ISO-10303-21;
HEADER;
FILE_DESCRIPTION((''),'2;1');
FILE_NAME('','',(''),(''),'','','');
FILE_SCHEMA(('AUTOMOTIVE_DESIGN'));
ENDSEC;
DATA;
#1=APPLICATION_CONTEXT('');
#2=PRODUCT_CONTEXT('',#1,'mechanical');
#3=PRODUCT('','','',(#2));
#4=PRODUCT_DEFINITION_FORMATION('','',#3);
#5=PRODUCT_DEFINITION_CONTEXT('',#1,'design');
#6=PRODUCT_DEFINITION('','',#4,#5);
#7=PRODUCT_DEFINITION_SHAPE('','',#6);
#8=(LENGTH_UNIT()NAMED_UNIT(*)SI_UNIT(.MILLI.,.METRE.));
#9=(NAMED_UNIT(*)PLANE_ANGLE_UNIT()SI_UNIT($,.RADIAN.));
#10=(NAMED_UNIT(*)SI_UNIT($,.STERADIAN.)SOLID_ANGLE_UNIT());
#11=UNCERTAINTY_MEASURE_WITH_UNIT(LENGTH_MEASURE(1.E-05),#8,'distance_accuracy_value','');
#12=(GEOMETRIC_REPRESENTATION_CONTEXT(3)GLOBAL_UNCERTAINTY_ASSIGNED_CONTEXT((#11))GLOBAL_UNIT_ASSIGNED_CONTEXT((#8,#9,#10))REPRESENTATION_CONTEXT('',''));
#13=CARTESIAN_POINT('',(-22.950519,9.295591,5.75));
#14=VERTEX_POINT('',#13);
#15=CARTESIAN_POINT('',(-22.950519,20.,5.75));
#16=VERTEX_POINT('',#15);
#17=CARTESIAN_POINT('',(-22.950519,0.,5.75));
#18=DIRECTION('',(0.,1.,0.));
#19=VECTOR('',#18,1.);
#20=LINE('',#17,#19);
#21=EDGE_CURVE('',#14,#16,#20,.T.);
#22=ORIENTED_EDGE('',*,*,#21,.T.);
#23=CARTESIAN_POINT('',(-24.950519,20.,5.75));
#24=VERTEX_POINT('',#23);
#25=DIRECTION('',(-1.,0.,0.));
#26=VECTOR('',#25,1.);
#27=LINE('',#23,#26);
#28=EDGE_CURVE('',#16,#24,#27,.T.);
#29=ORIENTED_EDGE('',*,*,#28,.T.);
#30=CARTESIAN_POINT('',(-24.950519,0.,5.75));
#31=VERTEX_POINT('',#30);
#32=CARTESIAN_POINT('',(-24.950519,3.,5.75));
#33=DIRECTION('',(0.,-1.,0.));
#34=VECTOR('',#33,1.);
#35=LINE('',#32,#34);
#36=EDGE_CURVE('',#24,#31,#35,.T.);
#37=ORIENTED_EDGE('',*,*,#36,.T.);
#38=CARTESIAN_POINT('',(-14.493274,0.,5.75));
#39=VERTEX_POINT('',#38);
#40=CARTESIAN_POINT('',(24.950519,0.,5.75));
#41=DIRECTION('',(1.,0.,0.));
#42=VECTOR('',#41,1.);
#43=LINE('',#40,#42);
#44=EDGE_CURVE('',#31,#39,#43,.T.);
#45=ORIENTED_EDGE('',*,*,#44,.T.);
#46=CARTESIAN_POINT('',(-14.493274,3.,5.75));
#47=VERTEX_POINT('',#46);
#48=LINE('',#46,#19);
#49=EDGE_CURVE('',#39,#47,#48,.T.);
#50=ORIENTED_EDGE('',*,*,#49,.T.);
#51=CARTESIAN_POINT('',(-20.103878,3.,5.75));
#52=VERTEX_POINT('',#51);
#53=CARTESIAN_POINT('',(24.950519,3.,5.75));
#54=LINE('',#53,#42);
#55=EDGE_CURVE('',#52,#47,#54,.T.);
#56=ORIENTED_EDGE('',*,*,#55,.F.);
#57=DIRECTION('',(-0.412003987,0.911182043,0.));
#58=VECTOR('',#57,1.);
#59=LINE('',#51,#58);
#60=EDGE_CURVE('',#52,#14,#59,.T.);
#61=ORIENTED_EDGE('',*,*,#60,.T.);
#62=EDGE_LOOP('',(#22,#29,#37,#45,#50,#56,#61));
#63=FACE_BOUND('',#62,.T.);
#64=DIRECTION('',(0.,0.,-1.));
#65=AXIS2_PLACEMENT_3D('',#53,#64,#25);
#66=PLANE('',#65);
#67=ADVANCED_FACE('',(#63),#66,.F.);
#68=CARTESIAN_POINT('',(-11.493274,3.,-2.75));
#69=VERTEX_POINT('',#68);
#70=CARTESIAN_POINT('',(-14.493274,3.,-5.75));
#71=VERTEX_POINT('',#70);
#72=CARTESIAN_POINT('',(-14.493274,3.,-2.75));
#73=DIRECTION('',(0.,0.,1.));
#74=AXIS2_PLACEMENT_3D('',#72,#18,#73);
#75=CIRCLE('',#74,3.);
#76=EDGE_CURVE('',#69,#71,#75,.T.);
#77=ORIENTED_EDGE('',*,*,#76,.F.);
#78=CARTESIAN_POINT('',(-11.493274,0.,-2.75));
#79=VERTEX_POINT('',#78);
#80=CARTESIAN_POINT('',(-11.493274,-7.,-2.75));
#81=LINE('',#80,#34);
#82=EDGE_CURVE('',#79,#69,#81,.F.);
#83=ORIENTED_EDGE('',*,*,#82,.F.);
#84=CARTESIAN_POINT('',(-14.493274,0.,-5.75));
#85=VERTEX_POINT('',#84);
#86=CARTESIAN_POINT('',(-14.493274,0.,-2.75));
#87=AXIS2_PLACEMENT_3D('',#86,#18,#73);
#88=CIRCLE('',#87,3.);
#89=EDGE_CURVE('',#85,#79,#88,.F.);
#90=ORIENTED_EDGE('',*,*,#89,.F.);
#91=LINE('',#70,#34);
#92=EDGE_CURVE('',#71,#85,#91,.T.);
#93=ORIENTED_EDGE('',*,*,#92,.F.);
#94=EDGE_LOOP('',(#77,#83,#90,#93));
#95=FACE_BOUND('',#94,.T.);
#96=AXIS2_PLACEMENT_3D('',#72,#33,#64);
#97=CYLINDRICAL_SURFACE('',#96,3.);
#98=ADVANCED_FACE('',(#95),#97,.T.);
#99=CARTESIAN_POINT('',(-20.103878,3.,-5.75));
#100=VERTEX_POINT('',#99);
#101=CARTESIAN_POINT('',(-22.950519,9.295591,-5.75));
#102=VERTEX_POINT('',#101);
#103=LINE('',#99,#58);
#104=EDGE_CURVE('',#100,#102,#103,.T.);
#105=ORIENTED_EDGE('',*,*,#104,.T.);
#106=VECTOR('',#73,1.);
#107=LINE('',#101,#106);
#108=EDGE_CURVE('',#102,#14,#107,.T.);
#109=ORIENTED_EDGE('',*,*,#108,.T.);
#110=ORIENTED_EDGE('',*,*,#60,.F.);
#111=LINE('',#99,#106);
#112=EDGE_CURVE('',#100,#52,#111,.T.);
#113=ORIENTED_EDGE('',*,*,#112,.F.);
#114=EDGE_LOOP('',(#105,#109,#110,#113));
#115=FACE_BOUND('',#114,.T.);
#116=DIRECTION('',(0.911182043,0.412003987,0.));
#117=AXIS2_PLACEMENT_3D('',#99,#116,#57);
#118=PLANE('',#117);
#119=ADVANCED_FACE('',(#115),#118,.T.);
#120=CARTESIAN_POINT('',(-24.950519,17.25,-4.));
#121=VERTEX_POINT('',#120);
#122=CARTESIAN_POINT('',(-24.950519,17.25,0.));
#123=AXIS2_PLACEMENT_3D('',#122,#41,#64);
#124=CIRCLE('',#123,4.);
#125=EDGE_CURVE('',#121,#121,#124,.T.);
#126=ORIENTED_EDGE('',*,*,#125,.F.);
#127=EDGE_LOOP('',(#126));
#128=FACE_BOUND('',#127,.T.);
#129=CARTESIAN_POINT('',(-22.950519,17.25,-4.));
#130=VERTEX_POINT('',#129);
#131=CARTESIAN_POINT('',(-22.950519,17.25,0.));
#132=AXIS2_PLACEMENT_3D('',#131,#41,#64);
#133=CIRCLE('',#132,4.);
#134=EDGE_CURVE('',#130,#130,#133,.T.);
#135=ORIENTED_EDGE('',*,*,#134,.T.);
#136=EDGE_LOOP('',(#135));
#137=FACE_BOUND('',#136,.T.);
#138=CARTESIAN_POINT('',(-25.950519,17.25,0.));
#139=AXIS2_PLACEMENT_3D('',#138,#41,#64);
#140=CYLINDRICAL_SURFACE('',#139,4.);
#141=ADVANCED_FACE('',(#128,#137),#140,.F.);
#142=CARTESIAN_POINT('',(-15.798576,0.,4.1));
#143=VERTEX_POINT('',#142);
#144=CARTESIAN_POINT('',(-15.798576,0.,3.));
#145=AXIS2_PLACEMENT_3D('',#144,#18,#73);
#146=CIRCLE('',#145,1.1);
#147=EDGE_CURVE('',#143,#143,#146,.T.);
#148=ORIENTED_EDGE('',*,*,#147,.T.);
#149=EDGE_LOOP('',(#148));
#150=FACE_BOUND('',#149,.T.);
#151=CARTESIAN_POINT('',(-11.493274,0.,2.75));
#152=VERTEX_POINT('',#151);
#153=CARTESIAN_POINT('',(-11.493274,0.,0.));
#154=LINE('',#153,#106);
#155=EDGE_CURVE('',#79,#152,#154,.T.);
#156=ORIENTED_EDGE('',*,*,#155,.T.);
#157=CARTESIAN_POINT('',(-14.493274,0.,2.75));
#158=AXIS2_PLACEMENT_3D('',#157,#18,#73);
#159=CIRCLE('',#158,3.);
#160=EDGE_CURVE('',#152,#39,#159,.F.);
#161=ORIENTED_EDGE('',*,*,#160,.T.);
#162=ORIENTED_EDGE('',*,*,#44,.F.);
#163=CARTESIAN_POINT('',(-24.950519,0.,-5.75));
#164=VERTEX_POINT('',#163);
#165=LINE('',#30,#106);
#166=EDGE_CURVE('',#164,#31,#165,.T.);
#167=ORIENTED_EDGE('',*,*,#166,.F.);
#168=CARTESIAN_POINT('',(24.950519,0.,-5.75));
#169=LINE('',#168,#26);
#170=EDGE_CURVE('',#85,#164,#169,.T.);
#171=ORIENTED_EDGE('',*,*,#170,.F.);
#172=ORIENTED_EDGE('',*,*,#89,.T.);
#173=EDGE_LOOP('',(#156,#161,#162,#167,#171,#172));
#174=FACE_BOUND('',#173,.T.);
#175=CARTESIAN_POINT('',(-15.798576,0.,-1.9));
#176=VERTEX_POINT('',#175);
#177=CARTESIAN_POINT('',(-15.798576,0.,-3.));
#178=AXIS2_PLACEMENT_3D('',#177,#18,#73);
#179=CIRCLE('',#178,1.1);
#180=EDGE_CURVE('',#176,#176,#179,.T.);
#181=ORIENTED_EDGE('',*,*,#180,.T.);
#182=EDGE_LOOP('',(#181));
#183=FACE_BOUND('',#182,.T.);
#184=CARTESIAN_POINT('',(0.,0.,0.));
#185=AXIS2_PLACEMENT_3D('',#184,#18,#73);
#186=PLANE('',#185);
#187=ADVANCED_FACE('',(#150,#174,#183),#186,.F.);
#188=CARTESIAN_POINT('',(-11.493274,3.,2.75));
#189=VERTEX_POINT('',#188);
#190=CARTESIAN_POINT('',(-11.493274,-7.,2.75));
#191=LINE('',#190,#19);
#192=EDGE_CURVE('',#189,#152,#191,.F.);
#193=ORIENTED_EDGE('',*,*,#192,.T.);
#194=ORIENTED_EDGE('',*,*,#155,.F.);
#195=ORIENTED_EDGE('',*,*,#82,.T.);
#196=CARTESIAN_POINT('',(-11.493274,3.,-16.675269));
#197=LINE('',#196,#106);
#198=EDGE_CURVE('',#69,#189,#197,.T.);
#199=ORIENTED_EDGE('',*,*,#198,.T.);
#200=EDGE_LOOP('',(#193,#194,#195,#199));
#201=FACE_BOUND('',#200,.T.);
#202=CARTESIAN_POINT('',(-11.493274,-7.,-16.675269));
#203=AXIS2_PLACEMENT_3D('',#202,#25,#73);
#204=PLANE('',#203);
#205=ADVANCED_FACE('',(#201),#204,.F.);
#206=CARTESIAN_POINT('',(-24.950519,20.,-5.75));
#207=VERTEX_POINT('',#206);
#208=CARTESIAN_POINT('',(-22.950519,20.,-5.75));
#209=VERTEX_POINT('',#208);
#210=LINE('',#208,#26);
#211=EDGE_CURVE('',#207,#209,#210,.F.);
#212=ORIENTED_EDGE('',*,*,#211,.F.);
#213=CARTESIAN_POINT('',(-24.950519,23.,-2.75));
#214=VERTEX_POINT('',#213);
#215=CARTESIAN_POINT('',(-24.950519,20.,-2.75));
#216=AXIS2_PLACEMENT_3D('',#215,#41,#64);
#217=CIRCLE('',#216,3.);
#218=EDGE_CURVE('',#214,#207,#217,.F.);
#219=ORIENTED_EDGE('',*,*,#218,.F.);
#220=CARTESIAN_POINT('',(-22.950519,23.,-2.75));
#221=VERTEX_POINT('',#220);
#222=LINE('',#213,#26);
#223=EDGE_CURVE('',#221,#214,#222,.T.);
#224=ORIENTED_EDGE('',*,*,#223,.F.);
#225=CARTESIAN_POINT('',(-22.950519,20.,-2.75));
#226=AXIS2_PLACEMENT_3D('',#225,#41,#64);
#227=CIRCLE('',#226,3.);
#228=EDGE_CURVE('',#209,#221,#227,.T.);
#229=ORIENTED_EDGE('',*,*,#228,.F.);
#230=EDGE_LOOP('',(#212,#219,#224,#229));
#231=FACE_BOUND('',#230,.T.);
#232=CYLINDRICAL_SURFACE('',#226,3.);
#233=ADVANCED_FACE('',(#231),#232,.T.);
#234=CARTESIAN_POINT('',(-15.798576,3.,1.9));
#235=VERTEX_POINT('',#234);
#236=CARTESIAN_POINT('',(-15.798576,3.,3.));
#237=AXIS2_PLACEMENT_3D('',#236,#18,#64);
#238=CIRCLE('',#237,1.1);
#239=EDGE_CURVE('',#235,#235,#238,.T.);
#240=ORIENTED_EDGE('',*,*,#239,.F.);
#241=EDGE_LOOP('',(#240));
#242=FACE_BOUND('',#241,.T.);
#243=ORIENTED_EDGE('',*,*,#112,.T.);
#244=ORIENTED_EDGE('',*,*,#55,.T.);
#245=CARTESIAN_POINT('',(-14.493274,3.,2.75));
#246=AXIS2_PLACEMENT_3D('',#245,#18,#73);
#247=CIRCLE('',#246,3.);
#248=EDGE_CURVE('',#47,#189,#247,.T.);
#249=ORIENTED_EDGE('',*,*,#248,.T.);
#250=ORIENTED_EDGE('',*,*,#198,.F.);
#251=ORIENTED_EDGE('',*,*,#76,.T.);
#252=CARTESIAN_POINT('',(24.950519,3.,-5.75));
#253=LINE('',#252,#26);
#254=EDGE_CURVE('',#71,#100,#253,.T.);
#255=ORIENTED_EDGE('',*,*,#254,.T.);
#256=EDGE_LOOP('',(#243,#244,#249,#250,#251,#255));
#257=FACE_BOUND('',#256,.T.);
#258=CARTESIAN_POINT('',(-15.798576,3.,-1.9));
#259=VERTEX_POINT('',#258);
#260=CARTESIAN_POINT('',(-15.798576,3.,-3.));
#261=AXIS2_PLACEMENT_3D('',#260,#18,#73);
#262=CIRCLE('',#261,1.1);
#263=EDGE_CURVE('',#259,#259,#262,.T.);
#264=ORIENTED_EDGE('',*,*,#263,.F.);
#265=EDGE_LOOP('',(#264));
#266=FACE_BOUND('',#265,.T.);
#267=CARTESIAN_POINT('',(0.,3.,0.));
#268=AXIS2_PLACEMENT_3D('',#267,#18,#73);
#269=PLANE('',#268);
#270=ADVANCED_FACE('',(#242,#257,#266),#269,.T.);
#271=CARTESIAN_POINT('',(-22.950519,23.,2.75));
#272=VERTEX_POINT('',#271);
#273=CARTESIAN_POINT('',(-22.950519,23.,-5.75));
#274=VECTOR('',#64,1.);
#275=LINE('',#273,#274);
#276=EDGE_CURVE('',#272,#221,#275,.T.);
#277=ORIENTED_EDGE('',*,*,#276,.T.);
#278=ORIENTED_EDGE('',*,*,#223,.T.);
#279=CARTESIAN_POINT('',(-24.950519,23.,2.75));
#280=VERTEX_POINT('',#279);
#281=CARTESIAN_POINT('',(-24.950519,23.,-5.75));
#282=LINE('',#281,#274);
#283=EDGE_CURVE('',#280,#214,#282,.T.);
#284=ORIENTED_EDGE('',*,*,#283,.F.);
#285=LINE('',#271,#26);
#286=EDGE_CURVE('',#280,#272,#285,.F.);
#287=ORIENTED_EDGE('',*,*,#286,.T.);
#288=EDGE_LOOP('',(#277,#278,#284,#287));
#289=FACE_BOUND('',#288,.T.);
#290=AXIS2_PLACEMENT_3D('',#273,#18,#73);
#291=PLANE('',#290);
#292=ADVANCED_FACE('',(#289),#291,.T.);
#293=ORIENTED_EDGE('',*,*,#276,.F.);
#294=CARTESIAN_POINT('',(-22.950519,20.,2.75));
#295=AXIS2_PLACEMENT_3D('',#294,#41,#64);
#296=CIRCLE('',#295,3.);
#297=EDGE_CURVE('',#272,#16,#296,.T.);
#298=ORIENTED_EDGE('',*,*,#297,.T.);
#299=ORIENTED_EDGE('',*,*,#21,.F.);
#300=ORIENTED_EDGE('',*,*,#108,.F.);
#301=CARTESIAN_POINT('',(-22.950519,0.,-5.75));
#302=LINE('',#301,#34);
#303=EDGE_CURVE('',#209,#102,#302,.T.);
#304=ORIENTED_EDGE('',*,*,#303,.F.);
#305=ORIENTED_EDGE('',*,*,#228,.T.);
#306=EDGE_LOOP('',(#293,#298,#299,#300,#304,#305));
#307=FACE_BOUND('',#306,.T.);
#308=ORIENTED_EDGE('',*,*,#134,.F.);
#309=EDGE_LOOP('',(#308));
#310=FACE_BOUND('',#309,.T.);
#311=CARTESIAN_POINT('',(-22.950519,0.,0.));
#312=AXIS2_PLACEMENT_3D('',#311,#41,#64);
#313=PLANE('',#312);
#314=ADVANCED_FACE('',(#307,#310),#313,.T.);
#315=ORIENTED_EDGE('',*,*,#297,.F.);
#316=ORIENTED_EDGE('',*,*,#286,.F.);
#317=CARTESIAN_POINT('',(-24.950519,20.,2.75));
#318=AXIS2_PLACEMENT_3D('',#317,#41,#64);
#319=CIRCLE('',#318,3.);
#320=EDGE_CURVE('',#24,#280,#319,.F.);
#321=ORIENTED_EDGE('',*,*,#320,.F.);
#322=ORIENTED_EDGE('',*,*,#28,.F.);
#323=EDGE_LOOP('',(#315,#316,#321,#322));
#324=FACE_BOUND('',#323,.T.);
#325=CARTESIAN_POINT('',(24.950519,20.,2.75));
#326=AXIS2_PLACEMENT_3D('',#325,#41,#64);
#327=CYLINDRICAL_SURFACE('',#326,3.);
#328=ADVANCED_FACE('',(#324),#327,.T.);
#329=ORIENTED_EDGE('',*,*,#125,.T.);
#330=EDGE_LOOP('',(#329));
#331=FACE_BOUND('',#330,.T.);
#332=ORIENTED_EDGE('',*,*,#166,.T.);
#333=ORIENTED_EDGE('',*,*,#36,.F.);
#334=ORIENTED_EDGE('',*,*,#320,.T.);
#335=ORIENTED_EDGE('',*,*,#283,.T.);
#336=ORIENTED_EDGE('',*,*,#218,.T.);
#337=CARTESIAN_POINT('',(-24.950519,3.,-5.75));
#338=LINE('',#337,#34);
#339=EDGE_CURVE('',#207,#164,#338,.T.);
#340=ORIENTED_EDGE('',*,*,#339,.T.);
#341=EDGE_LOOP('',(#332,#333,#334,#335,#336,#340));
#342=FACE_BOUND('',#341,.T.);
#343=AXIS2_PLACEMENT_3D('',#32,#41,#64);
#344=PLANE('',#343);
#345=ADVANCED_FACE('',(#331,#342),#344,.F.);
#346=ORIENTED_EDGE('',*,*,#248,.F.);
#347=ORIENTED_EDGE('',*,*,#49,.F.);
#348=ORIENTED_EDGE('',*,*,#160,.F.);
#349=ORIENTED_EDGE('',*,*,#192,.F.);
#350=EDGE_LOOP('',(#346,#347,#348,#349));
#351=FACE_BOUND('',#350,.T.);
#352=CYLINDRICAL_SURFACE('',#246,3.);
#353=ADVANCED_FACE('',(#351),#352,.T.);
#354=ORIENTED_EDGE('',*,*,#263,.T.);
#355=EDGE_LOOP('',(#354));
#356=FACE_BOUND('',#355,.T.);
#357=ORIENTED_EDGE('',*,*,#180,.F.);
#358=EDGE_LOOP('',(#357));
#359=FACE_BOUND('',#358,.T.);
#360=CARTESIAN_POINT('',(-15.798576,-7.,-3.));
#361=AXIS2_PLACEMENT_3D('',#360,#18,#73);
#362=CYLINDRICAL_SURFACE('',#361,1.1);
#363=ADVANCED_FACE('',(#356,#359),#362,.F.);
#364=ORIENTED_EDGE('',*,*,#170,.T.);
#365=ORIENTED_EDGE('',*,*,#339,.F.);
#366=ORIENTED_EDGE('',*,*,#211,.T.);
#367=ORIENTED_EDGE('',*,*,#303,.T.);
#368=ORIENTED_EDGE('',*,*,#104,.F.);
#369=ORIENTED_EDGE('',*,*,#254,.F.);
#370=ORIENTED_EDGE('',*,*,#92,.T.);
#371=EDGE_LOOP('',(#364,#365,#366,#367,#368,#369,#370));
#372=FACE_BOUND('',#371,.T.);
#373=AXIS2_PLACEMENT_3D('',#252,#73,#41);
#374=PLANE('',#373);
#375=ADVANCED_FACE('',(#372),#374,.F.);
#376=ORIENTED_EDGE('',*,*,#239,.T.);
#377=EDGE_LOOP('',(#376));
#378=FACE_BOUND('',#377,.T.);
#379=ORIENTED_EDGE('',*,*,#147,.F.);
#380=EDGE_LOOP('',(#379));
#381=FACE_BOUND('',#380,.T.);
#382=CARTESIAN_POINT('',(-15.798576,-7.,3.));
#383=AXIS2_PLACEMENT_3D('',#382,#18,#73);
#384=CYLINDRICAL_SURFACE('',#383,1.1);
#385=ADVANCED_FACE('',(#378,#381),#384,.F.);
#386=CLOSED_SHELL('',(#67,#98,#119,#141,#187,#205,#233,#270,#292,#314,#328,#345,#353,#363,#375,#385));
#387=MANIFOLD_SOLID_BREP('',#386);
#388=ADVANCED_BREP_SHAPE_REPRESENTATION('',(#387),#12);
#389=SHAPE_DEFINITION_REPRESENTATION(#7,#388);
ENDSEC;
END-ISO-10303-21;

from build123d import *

# Parameters (mm, degrees)
SKETCH_1_W          = 49.901037986
SKETCH_1_H          = 11.5
EXTRUDE_1_DEPTH     = 3
SKETCH_3_W          = 11.5
SKETCH_3_H          = 23
EXTRUDE_2_DEPTH     = 2
SKETCH_4_R          = 4
CUT_EXTRUDE_1_DEPTH = 3
SKETCH_7_W          = 44.527674248
SKETCH_7_H          = 38.163809885
CUT_EXTRUDE_2_DEPTH = 10
EXTRUDE_3_DEPTH     = 11.5
SKETCH_9_R          = 1.1
CUT_EXTRUDE_3_DEPTH = 10
FILLET_2_R          = 3
FILLET_3_R          = 3


with BuildPart() as part:
    # 草图1 → 凸台-拉伸1 (new body)
    with BuildSketch(Plane(origin=(0, 0, 0), x_dir=(1, 0, 0), z_dir=(0, 1, 0))):
        Rectangle(SKETCH_1_W, SKETCH_1_H)
    extrude(amount=EXTRUDE_1_DEPTH)

    # 草图3 → 凸台-拉伸2 (add)
    with BuildSketch(Plane.ZY.offset(24.950518993)):
        with Locations((0, 11.5)):
            Rectangle(SKETCH_3_W, SKETCH_3_H)
    extrude(amount=-EXTRUDE_2_DEPTH)

    # 草图4 → 切除-拉伸1 (cut)
    with BuildSketch(Plane(origin=(-22.950518993, 0, 0), x_dir=(0, 0, -1), z_dir=(1, 0, 0))):
        with Locations((0, 17.25)):
            Circle(SKETCH_4_R)
    extrude(amount=-CUT_EXTRUDE_1_DEPTH, mode=Mode.SUBTRACT)

    # 草图7 → 切除-拉伸2 (cut)
    with BuildSketch(Plane(origin=(0, 3, 0), x_dir=(1, 0, 0), z_dir=(0, 1, 0))):
        with Locations((10.77056276, -2.40663606)):
            Rectangle(SKETCH_7_W, SKETCH_7_H)
    extrude(amount=-CUT_EXTRUDE_2_DEPTH, mode=Mode.SUBTRACT)

    # 草图8 → 凸台-拉伸3 (add)
    with BuildSketch(Plane.XY.offset(5.75)):
        Polygon((-22.950518993, 9.295590995), (-22.950518993, 3), (-20.10387752, 3), align=None)
    extrude(amount=-EXTRUDE_3_DEPTH)

    # 草图9 → 切除-拉伸3 (cut)
    with BuildSketch(Plane(origin=(0, 3, 0), x_dir=(1, 0, 0), z_dir=(0, 1, 0))):
        with Locations(Location((-15.798575942, 3, 0), (0, 0, 270))):
            Circle(SKETCH_9_R)
        with Locations(Location((-15.798575942, -3, 0), (0, 0, 270))):
            Circle(SKETCH_9_R)
    extrude(amount=-CUT_EXTRUDE_3_DEPTH, mode=Mode.SUBTRACT)

    # 圆角2
    fillet_2_edges = [part.edges().sort_by_distance(p)[0] for p in [
        (-23.950518993, 23, -5.75),
        (-23.950518993, 23, 5.75),
    ]]
    fillet(fillet_2_edges, radius=FILLET_2_R)

    # 圆角3
    fillet_3_edges = [part.edges().sort_by_distance(p)[0] for p in [
        (-11.493274364, 1.5, 5.75),
        (-11.493274364, 1.5, -5.75),
    ]]
    fillet(fillet_3_edges, radius=FILLET_3_R)


solid = part.part
